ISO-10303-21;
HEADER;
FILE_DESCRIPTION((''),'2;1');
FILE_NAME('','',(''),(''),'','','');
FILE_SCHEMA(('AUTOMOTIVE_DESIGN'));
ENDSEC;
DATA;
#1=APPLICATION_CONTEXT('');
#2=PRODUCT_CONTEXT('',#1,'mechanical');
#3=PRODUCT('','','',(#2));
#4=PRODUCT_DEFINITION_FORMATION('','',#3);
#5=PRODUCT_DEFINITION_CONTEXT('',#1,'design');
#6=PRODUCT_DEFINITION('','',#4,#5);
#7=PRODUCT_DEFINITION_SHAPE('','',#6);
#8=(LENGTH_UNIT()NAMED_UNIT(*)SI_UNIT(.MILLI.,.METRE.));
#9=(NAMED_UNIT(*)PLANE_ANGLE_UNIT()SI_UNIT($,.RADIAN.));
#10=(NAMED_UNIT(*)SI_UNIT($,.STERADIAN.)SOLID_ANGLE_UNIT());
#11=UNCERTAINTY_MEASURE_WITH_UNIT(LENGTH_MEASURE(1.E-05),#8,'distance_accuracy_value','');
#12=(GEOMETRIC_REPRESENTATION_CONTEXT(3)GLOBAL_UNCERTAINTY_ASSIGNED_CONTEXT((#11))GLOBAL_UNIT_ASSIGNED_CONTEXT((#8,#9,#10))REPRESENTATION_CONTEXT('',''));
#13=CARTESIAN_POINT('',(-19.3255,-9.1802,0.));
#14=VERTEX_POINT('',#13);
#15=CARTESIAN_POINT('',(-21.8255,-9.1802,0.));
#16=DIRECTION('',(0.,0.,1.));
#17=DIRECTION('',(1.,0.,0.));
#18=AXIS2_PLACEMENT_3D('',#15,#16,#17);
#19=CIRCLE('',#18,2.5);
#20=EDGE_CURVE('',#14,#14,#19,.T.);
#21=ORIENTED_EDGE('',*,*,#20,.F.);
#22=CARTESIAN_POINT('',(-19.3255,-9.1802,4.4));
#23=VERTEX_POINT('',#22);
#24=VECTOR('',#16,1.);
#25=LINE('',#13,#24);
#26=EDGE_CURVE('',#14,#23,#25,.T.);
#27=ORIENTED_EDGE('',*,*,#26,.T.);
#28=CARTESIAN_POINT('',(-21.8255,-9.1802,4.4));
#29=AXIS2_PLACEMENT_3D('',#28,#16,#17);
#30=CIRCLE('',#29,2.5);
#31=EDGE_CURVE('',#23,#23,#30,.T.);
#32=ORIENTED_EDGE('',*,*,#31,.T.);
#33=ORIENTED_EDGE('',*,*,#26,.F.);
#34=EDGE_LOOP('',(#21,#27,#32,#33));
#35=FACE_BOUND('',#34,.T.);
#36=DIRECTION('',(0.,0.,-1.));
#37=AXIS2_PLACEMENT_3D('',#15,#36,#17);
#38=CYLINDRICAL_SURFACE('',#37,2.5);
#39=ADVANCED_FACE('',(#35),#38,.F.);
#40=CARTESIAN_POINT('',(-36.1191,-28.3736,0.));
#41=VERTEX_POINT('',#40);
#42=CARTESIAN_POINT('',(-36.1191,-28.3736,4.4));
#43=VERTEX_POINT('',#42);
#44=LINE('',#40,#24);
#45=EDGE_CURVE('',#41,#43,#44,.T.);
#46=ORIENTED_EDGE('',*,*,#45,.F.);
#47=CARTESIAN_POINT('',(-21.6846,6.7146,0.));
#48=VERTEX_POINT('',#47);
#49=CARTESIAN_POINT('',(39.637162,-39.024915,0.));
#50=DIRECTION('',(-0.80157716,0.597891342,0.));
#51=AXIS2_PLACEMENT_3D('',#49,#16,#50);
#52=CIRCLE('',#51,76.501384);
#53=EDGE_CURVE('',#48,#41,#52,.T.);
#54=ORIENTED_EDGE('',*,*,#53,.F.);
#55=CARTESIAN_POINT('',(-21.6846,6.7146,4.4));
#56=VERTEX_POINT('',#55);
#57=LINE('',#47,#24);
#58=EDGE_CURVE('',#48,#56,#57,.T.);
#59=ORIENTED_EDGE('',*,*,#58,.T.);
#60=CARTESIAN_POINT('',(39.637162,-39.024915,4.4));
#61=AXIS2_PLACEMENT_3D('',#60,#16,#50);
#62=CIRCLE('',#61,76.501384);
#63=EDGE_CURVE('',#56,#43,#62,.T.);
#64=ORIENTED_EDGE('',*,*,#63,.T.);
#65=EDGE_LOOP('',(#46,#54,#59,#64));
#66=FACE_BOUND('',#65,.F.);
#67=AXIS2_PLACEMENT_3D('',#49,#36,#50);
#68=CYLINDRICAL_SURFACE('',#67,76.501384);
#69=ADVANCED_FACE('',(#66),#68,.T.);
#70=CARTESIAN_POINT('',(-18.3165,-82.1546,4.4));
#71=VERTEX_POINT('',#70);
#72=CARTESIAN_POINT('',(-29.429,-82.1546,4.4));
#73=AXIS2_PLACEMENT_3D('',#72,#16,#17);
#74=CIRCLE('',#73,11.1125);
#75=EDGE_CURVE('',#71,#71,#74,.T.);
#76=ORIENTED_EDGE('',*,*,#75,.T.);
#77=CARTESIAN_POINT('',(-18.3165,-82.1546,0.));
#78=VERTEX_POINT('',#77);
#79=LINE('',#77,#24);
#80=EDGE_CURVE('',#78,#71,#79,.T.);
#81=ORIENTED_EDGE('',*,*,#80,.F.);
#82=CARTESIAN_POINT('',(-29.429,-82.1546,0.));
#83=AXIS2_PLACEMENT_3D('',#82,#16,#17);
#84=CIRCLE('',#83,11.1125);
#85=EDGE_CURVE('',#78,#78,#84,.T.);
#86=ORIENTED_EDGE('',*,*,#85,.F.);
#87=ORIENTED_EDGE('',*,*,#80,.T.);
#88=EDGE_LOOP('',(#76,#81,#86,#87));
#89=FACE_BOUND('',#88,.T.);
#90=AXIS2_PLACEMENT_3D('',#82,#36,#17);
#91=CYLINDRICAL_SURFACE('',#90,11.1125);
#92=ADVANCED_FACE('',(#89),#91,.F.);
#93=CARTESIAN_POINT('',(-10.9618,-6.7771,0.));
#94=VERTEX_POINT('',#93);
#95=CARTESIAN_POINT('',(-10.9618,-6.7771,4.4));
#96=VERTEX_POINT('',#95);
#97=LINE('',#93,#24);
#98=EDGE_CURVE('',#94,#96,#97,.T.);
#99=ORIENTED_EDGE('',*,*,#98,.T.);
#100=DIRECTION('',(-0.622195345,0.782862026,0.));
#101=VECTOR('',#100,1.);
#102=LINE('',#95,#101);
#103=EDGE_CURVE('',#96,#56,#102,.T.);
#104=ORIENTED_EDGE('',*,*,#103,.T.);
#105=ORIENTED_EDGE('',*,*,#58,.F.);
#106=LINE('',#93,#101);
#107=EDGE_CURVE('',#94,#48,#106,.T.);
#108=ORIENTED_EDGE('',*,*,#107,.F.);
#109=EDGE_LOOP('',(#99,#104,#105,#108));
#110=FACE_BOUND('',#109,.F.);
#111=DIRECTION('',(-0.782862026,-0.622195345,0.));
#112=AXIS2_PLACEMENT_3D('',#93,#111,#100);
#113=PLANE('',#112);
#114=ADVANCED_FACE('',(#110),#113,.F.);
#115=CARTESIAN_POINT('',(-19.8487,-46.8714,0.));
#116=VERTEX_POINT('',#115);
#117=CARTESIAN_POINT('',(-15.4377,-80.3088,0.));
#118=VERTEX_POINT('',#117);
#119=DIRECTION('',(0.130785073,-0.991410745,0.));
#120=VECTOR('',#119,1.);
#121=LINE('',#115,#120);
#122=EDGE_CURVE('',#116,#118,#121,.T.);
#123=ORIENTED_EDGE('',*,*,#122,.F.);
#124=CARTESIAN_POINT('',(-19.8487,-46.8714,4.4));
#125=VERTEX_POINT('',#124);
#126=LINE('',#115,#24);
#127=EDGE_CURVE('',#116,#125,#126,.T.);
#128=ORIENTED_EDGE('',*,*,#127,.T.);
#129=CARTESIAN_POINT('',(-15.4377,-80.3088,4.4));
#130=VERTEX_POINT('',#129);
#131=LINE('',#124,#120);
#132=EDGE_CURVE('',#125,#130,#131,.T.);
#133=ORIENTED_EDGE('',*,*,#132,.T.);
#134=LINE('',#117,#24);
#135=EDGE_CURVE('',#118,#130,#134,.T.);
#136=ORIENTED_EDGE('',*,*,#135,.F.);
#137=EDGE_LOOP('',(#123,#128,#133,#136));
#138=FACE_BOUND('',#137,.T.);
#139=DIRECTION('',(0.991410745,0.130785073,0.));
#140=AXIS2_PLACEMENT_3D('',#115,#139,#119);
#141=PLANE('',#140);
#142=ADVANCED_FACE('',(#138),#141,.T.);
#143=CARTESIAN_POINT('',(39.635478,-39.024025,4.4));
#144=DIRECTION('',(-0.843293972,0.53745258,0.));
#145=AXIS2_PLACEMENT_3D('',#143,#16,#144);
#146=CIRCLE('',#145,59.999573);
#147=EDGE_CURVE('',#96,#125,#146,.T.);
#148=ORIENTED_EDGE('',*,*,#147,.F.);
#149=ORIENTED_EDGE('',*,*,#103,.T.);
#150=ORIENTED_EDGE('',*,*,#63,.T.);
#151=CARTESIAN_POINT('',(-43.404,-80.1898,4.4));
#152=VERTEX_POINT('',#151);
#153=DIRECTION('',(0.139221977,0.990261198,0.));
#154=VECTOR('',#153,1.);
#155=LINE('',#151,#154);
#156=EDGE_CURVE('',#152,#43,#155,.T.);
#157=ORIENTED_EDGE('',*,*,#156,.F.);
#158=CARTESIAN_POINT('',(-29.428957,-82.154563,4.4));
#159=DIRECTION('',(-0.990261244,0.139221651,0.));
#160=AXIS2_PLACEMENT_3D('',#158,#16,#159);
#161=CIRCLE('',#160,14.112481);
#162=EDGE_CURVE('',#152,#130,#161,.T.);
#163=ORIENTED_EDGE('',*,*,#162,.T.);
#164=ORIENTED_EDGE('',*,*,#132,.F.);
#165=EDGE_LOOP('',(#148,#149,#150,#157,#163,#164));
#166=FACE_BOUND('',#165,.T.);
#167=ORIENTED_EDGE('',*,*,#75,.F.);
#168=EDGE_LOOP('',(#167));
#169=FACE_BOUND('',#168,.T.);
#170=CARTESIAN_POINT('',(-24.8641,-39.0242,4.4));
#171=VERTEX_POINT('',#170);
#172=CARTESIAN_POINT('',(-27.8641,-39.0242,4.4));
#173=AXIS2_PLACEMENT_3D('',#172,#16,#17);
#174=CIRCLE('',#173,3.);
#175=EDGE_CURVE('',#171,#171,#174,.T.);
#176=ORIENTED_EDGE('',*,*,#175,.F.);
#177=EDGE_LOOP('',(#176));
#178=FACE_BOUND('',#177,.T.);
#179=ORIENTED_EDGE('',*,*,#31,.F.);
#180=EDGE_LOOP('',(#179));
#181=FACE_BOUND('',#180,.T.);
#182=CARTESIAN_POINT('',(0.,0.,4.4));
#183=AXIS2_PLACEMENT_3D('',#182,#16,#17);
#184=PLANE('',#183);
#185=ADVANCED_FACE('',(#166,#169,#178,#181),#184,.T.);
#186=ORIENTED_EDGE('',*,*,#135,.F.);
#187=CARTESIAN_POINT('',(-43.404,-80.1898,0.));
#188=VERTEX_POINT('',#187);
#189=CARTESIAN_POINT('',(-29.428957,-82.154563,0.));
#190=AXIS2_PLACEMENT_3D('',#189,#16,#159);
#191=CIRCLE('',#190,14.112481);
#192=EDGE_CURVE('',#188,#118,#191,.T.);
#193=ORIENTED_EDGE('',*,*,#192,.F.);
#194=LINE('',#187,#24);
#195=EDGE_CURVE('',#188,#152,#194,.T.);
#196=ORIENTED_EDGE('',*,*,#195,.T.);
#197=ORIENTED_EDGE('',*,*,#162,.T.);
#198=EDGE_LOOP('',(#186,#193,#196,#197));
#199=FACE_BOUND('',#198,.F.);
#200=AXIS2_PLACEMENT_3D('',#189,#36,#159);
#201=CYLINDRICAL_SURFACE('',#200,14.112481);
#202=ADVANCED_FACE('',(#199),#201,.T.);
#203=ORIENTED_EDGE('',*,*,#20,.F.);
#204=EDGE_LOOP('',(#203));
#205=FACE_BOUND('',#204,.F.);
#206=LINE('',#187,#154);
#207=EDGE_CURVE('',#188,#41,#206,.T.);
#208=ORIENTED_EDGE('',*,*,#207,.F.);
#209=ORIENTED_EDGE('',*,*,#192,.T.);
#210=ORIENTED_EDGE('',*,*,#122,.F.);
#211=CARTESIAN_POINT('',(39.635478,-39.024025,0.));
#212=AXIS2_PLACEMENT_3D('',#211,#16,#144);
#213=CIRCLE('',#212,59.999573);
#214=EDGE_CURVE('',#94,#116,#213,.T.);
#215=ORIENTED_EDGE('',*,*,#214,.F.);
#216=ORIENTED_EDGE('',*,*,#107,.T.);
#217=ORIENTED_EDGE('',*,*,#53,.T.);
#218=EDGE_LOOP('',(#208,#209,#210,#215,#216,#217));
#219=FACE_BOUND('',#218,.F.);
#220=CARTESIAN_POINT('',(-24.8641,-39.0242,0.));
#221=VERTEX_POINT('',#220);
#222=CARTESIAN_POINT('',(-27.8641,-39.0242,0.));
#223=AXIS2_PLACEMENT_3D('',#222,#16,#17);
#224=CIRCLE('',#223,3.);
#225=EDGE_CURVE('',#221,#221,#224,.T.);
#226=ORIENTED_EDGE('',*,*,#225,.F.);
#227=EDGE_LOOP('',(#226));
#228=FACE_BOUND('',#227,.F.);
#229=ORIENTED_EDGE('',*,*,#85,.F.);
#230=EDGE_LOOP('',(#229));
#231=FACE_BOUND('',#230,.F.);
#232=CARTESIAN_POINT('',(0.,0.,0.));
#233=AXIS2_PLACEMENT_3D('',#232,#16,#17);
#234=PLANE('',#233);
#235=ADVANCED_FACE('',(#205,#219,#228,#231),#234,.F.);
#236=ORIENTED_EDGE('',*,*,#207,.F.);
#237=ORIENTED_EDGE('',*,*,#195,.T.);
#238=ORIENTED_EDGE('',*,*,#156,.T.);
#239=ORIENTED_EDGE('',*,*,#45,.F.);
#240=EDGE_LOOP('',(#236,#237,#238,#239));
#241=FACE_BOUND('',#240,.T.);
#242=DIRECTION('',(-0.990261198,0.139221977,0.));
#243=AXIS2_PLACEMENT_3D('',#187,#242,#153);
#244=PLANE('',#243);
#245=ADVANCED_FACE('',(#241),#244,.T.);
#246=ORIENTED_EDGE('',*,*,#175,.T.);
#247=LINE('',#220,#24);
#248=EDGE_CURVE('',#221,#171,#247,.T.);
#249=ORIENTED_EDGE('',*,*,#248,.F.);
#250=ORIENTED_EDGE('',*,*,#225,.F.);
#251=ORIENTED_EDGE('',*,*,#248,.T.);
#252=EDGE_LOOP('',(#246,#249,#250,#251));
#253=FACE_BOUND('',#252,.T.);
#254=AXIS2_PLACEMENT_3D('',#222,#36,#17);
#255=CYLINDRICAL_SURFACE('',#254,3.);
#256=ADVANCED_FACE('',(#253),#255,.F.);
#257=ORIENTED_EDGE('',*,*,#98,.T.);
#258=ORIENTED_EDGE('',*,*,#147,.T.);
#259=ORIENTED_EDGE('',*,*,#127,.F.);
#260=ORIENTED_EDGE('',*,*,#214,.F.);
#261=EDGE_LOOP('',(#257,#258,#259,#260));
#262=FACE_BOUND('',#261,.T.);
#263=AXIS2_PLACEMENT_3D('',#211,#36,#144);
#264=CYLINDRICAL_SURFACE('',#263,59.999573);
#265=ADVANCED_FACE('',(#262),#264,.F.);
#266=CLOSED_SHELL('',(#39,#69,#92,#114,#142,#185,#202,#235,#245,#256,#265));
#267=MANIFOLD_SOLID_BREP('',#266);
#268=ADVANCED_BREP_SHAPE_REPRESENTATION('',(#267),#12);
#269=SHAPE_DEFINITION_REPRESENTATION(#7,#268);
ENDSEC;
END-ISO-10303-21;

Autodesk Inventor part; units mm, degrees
ref_plane "YZ Plane" through (0, 0, 0) normal (1, 0, 0) x (0, 1, 0)
ref_plane "XZ Plane" through (0, 0, 0) normal (0, 1, 0) x (-1, 0, 0)
ref_plane "XY Plane" through (0, 0, 0) normal (0, 0, 1) x (1, 0, 0)
ref_plane "Work Plane1" through (0, 0, 0) normal (0, 0, 1) x (1, 0, 0)
sketch "Sketch1" plane through (0, 0, 0) normal (0, 0, 1) x (1, 0, 0)
  circle A0 centre (-29.429, -82.1546) radius 11.1125 projected
  circle A1 centre (-27.8641, -39.0242) radius 3 projected
  arc A2 (-43.404, -80.1898) -> (-15.4377, -80.3088) centre (-29.429, -82.1546) ccw projected
  line L0 (-19.8487, -46.8714) -> (-15.4377, -80.3088) projected
  line L1 (-43.404, -80.1898) -> (-36.1191, -28.3736) projected
  line L2 (-10.9618, -6.7771) -> (-21.6846, 6.7146) projected
  arc A3 (-10.9618, -6.7771) -> (-19.8487, -46.8714) centre (39.6359, -39.0242) ccw
  arc A4 (-21.6846, 6.7146) -> (-36.1191, -28.3736) centre (39.6359, -39.0242) ccw
  circle A5 centre (-21.8255, -9.1802) radius 2.5 projected
  point P0 (0, 0)
  point P1 (69.9962, 12.7276)
  point P2 (71.0345, 12.3011)
extrude "Extrusion1" add sketch "Sketch1" along normal blind 4.4
properties part number "FrontMotorPlateA"
